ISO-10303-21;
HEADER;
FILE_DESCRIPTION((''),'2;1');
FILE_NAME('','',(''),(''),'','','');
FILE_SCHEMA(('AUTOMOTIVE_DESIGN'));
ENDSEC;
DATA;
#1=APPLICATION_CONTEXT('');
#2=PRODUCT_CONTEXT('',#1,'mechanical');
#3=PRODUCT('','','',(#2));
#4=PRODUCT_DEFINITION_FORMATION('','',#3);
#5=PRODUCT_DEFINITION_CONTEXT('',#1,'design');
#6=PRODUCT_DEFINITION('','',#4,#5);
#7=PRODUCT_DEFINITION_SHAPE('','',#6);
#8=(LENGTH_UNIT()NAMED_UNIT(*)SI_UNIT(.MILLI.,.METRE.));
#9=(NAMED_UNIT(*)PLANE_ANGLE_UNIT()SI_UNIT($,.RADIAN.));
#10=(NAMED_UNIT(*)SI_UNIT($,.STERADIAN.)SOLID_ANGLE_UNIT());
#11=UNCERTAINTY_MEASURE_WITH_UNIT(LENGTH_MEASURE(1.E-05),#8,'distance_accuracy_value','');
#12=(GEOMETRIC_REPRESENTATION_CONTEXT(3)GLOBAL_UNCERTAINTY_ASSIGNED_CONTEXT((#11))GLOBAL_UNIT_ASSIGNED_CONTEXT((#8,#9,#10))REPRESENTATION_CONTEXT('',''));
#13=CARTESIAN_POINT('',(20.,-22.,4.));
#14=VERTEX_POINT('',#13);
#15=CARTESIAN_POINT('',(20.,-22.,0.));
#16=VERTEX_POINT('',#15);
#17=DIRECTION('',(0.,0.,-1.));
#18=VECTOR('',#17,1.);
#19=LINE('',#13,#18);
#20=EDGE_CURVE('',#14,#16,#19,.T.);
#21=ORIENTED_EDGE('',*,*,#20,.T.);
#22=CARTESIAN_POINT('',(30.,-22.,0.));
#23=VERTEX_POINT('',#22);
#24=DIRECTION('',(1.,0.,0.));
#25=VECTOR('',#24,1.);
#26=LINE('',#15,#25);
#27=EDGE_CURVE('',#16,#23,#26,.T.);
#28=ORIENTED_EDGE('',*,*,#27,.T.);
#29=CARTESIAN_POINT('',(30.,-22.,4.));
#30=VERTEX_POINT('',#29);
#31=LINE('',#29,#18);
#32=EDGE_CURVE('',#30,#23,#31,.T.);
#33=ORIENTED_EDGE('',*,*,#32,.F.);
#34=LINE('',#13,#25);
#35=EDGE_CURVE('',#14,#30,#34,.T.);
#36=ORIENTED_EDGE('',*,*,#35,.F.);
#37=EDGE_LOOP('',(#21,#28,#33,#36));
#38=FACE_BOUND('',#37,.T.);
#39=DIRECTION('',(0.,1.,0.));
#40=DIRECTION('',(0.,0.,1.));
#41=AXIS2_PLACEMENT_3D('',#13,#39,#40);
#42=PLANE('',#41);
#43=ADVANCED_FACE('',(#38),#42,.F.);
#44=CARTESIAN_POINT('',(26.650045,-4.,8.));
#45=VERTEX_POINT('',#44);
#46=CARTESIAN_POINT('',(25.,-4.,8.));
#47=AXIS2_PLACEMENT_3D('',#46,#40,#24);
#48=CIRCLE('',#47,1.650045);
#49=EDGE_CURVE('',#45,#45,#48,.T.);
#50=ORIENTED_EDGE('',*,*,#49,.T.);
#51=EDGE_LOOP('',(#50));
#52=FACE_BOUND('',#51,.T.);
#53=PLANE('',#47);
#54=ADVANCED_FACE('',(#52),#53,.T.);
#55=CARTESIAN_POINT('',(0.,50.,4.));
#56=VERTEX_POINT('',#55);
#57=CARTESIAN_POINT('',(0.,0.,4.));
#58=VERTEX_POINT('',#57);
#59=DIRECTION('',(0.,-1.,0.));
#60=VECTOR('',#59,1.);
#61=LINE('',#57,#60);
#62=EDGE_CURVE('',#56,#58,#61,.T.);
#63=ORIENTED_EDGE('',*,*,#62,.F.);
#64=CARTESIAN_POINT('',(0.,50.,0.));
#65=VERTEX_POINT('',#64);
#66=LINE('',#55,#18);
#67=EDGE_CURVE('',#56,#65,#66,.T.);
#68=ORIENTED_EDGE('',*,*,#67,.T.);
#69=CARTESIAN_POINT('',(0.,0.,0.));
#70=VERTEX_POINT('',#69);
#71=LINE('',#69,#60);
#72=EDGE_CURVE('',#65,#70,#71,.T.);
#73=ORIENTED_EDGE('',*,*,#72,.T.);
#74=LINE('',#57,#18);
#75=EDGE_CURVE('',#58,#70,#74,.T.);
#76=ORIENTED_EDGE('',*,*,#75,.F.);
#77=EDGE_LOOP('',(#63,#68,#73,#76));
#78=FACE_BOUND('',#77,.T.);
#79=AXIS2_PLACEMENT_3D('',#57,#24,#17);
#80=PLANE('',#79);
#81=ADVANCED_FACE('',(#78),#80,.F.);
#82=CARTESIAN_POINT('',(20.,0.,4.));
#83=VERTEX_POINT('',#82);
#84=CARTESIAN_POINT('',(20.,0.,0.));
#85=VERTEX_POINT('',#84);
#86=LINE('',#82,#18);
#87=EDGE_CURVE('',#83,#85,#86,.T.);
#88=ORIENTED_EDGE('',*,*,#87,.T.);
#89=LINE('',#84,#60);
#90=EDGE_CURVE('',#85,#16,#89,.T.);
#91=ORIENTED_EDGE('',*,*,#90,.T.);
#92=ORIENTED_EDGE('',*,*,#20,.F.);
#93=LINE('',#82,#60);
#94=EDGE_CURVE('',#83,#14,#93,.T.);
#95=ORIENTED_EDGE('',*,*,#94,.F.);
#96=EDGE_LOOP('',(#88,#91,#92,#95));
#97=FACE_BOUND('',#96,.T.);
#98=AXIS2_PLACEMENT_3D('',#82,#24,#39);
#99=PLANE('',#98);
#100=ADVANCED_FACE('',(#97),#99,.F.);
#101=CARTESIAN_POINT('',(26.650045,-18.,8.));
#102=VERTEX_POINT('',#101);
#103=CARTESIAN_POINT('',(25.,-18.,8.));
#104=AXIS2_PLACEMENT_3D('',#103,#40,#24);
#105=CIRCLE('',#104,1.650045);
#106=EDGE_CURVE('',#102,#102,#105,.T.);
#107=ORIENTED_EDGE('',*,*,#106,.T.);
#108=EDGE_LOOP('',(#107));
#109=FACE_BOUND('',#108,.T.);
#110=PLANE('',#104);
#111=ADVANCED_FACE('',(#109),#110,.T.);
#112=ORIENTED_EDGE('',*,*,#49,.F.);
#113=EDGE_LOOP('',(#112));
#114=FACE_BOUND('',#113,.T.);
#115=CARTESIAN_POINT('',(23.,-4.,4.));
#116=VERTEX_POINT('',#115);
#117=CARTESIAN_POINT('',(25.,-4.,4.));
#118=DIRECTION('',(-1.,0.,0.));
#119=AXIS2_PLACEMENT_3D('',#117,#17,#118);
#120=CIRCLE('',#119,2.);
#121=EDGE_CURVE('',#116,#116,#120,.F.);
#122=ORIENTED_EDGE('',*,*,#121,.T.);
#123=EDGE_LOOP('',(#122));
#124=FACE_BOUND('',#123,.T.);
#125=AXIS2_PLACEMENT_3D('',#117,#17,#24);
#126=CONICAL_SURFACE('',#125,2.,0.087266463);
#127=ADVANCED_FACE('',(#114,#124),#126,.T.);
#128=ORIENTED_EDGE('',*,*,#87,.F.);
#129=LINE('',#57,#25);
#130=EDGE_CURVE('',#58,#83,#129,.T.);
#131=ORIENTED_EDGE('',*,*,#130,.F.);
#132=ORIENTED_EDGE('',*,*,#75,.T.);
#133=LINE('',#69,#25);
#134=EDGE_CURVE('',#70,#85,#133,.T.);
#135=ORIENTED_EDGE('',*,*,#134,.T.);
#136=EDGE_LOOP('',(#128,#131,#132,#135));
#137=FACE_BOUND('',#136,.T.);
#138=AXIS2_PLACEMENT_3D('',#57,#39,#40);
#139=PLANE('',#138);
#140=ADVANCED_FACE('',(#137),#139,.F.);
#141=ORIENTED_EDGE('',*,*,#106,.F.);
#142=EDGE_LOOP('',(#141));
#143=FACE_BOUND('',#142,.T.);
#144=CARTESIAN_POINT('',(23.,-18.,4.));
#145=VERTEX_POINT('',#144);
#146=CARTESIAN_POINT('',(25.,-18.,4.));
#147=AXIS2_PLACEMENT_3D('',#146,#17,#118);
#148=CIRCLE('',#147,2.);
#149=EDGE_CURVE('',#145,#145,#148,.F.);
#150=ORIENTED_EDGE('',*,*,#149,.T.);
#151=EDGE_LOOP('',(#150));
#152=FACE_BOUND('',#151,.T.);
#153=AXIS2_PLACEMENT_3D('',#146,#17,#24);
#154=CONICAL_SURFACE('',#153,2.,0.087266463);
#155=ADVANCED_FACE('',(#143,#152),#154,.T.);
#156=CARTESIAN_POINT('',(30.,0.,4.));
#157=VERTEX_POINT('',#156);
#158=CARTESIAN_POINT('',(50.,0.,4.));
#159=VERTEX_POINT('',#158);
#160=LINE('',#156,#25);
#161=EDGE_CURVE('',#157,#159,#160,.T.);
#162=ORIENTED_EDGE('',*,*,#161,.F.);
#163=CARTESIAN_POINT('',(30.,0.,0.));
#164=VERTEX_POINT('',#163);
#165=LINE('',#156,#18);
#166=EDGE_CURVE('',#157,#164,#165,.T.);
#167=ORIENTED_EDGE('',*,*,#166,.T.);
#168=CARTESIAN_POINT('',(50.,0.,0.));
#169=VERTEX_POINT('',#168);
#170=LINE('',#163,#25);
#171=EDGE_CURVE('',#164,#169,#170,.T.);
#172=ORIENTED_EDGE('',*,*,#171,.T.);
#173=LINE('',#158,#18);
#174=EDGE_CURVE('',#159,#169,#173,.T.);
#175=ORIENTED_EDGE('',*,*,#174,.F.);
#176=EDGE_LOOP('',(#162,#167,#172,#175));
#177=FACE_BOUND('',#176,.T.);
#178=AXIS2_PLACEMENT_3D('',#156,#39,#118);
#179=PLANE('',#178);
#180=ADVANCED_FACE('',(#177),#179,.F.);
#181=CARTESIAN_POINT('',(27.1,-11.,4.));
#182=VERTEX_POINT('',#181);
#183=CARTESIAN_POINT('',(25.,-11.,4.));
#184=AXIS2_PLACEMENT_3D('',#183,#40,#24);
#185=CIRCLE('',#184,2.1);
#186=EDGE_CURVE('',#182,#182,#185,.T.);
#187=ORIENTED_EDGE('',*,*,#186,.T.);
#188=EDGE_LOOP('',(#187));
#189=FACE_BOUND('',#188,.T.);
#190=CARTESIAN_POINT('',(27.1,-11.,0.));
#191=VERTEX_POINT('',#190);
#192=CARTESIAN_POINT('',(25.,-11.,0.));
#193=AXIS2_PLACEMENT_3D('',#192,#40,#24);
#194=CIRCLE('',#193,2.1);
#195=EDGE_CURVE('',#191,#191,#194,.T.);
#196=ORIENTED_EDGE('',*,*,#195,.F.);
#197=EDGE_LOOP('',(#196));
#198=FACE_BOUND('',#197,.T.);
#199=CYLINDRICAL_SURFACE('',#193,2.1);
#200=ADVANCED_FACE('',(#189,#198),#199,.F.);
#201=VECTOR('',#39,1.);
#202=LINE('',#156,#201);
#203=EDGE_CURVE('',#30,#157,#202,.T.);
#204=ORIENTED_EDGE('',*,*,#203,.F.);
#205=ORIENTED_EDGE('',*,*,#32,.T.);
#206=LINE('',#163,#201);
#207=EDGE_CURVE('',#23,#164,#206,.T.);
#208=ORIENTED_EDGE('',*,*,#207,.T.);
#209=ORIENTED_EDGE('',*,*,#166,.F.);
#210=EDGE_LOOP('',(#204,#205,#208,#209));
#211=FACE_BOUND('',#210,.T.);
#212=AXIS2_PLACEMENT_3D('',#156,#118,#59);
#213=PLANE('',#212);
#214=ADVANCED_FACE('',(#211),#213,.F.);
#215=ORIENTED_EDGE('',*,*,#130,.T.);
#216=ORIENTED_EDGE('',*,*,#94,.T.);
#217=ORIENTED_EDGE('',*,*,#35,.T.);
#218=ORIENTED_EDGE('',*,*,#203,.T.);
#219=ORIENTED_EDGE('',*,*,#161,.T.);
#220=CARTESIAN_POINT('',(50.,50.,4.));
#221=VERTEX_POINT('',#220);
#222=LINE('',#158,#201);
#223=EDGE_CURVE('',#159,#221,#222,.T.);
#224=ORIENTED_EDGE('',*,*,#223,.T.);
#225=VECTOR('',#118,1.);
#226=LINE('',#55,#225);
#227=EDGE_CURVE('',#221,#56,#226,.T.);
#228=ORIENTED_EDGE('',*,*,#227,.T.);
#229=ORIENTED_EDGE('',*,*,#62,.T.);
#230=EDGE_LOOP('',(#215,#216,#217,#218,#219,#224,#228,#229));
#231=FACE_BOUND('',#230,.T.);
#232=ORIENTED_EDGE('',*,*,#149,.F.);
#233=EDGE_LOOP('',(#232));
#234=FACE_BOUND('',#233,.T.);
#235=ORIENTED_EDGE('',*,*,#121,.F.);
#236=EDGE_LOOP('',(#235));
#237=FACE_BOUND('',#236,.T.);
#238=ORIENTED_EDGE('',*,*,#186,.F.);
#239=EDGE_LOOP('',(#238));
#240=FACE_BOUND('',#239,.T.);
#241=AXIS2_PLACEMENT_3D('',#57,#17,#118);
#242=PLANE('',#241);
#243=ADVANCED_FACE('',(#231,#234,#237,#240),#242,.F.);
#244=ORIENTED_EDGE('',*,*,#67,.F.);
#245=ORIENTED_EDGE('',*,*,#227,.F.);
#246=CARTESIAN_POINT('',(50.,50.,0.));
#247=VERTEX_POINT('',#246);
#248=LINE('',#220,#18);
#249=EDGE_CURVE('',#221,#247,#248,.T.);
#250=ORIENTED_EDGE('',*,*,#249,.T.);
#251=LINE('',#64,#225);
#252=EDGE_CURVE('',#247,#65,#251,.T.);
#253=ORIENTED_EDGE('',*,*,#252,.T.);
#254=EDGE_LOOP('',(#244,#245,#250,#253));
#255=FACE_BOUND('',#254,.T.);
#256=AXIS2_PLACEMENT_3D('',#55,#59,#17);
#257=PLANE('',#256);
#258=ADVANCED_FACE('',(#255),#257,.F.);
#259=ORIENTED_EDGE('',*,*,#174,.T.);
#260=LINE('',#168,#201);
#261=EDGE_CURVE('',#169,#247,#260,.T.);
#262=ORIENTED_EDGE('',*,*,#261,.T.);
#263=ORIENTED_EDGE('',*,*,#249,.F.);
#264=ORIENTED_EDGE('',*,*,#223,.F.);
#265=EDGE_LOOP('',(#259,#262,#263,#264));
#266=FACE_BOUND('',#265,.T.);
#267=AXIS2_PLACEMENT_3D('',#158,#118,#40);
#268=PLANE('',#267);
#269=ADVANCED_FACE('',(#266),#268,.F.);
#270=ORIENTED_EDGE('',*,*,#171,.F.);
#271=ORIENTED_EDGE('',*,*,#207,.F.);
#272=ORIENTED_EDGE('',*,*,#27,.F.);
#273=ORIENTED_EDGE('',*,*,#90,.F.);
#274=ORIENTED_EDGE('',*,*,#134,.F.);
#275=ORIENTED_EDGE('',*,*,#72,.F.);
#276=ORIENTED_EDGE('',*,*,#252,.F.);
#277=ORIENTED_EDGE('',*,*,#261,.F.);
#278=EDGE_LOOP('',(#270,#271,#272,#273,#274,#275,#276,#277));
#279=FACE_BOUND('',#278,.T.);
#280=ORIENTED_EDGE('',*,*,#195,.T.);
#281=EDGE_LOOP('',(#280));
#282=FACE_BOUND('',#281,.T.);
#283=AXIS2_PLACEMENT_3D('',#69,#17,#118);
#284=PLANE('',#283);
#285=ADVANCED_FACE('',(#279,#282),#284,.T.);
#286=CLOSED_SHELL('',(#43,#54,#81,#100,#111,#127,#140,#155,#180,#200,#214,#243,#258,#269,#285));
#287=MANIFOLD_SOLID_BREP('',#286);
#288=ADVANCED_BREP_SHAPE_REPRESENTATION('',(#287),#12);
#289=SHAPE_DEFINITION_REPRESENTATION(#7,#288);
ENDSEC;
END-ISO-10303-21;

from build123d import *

# Parameters (mm, degrees)
BOSS_EXTRUDE1_DEPTH = 4
SKETCH2_R           = 2
BOSS_EXTRUDE2_DEPTH = 4
BOSS_EXTRUDE2_TAPER = 5
SKETCH3_R           = 2.1
CUT_EXTRUDE1_DEPTH  = 4


with BuildPart() as part:
    # Sketch1 → Boss-Extrude1 (new body)
    with BuildSketch(Plane.XY):
        Polygon((0, 0), (20, 0), (20, -22), (30, -22), (30, 0), (50, 0), (50, 50), (0, 50), align=None)
    extrude(amount=BOSS_EXTRUDE1_DEPTH)

    # Sketch2 → Boss-Extrude2 (add)
    with BuildSketch(Plane.XY.offset(4)):
        with Locations((25, -18)):
            Circle(SKETCH2_R)
        with Locations((25, -4)):
            Circle(SKETCH2_R)
    extrude(amount=BOSS_EXTRUDE2_DEPTH, taper=BOSS_EXTRUDE2_TAPER)

    # Sketch3 → Cut-Extrude1 (cut)
    with BuildSketch(Plane.XY.offset(4)):
        with Locations((25, -11)):
            Circle(SKETCH3_R)
    extrude(amount=-CUT_EXTRUDE1_DEPTH, mode=Mode.SUBTRACT)


solid = part.part
